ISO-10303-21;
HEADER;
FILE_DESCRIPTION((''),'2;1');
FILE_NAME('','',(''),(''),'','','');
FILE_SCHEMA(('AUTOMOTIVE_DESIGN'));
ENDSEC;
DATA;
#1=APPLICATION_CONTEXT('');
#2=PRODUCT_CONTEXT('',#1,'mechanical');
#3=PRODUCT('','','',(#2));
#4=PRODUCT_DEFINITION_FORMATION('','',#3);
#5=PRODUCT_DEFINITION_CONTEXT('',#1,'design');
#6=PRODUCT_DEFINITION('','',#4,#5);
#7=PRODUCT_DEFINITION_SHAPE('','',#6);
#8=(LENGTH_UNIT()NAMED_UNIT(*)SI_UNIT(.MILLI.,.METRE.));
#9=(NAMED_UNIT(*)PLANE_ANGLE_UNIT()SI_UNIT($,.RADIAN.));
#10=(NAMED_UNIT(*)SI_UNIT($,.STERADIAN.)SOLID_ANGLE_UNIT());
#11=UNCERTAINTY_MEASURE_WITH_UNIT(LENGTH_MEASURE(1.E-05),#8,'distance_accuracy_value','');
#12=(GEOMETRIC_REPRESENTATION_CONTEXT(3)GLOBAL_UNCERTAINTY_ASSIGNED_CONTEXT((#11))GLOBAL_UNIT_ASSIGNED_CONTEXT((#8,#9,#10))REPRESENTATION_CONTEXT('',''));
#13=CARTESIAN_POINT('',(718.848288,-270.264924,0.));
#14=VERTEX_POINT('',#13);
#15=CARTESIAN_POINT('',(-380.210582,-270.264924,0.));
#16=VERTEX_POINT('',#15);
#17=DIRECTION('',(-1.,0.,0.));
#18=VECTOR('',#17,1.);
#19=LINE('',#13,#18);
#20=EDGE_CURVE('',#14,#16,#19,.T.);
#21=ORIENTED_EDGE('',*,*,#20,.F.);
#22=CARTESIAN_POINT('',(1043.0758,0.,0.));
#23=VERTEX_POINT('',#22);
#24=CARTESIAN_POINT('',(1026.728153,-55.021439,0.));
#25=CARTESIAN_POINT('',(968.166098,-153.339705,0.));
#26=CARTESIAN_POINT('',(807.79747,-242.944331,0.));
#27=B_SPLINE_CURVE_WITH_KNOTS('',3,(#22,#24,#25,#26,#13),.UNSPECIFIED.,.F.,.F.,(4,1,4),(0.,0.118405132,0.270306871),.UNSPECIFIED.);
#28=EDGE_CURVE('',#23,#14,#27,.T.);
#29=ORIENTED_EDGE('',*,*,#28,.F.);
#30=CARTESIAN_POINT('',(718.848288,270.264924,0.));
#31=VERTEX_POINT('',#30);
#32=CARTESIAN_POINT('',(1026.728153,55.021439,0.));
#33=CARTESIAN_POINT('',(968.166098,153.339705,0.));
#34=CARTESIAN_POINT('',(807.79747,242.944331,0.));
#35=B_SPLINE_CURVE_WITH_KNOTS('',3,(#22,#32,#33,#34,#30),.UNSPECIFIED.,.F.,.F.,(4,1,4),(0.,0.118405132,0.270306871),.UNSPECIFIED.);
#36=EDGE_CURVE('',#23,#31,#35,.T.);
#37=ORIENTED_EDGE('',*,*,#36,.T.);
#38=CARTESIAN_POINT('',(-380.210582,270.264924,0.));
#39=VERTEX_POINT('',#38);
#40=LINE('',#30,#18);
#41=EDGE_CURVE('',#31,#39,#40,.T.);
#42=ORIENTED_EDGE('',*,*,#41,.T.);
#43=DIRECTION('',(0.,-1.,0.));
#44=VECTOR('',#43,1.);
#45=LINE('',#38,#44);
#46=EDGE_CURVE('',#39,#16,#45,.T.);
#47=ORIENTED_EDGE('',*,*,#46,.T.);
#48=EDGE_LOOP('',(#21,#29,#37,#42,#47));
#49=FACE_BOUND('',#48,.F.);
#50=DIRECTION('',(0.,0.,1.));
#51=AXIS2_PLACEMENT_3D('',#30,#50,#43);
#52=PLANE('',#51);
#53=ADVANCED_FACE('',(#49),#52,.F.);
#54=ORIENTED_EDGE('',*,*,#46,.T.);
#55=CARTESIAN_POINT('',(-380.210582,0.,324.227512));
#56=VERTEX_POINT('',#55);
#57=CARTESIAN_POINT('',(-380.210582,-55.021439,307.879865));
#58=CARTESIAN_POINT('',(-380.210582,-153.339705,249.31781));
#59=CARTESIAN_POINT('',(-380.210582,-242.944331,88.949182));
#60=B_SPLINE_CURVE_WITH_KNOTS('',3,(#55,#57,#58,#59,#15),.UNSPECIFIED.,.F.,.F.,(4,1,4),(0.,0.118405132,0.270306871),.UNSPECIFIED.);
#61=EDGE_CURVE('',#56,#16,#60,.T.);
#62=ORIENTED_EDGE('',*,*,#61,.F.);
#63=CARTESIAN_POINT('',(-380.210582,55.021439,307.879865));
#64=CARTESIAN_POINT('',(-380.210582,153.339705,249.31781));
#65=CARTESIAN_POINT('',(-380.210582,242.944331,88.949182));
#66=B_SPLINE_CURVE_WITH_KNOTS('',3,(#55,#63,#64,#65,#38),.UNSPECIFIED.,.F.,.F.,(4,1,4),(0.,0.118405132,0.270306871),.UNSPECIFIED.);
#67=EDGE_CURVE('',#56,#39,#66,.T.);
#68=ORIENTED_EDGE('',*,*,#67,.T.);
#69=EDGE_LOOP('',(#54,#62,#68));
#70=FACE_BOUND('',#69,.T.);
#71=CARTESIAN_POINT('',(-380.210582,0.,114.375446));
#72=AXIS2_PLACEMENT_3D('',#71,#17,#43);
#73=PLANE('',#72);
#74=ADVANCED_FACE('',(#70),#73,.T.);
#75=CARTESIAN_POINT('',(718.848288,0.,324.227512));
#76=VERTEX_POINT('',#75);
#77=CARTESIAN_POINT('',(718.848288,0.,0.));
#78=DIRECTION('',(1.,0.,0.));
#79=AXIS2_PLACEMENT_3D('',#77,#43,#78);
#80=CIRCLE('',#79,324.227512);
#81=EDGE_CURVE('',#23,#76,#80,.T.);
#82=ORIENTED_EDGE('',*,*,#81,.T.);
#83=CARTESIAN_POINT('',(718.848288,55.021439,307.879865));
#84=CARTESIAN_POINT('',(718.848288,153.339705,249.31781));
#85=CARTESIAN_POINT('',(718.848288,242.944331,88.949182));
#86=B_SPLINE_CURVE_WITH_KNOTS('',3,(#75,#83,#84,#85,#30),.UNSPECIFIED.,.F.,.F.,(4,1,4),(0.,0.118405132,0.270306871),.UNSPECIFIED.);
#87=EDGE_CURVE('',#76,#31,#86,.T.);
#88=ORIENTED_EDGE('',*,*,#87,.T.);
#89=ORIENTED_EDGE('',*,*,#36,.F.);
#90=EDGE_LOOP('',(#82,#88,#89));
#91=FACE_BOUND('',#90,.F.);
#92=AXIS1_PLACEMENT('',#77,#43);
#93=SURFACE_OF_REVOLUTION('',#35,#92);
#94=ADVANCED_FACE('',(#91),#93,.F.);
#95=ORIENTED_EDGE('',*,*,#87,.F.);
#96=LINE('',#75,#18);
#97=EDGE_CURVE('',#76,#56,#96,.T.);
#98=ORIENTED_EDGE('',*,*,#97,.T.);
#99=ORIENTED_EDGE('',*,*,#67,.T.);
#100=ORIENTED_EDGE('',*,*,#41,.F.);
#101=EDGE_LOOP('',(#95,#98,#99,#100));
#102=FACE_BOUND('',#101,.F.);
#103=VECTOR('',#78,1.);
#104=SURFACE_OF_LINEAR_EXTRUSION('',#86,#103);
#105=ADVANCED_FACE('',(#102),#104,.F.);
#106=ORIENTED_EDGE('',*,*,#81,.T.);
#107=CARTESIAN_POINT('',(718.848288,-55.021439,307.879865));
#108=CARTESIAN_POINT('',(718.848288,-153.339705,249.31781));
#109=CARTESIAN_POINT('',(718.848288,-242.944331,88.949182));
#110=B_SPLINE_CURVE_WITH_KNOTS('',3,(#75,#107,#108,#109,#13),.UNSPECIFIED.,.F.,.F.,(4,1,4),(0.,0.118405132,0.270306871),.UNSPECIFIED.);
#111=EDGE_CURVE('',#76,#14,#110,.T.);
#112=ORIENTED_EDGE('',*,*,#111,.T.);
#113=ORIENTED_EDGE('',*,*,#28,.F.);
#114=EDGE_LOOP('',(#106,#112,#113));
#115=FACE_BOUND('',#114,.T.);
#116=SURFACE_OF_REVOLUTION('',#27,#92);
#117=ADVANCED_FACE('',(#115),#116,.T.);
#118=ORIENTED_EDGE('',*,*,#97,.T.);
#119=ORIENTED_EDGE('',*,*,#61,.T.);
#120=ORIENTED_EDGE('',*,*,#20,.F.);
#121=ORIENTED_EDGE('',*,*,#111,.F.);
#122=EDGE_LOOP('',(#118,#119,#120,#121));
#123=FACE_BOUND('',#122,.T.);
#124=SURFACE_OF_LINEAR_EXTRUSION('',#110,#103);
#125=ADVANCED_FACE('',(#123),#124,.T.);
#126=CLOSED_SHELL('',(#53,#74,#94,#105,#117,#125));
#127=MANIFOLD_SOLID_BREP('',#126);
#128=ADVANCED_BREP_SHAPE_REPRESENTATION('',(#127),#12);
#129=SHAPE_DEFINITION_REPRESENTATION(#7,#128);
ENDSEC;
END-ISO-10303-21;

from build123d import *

# Parameters (mm, degrees)
F1_ANGLE = 90
F3_DEPTH = 1099.05887


with BuildPart() as f1:
    # F0 (on Top) → F1 (revolve)
    with BuildSketch(Plane.XY):
        with BuildLine():
            add(Edge.make_bspline(
                [(1043.075799942, 0), (1026.7281532288, -55.0214387476), (968.1660984323, -153.3397048983), (807.7974702828, -242.9443305616), (718.8482880592, -270.2649235725)],
                knots=[0, 0, 0, 0, 0.1184051321, 0.2703068709, 0.2703068709, 0.2703068709, 0.2703068709], degree=3))
            add(Edge.make_bspline(
                [(1043.075799942, 0), (1026.7281532288, 55.0214387476), (968.1660984323, 153.3397048983), (807.7974702828, 242.9443305616), (718.8482880592, 270.2649235725)],
                knots=[0, 0, 0, 0, 0.1184051321, 0.2703068709, 0.2703068709, 0.2703068709, 0.2703068709], degree=3))
            Line((718.8482880592, 270.2649235725), (718.8482880592, -270.2649235725))
        make_face()
    revolve(axis=Axis((718.8482880592, 0, 0), (0, -1, 0)), revolution_arc=F1_ANGLE)

    # F2 (on face) → F3 (join)
    with BuildSketch(Plane(origin=(718.8482880592, 0, 0), x_dir=(0, -1, 0), z_dir=(-1, 0, 0))):
        with BuildLine():
            add(Edge.make_bspline(
                [(0, 324.2275118828), (-55.0214387476, 307.8798651695), (-153.3397048983, 249.3178103731), (-242.9443305616, 88.9491822235), (-270.2649235725, 0)],
                knots=[0, 0, 0, 0, 0.1184051321, 0.2703068709, 0.2703068709, 0.2703068709, 0.2703068709], degree=3))
            Line((-270.2649235725, 0), (270.2649235725, 0))
            add(Edge.make_bspline(
                [(0, 324.2275118828), (55.0214387476, 307.8798651695), (153.3397048983, 249.3178103731), (242.9443305616, 88.9491822235), (270.2649235725, 0)],
                knots=[0, 0, 0, 0, 0.1184051321, 0.2703068709, 0.2703068709, 0.2703068709, 0.2703068709], degree=3))
        make_face()
    extrude(amount=F3_DEPTH)


solid = f1.part
